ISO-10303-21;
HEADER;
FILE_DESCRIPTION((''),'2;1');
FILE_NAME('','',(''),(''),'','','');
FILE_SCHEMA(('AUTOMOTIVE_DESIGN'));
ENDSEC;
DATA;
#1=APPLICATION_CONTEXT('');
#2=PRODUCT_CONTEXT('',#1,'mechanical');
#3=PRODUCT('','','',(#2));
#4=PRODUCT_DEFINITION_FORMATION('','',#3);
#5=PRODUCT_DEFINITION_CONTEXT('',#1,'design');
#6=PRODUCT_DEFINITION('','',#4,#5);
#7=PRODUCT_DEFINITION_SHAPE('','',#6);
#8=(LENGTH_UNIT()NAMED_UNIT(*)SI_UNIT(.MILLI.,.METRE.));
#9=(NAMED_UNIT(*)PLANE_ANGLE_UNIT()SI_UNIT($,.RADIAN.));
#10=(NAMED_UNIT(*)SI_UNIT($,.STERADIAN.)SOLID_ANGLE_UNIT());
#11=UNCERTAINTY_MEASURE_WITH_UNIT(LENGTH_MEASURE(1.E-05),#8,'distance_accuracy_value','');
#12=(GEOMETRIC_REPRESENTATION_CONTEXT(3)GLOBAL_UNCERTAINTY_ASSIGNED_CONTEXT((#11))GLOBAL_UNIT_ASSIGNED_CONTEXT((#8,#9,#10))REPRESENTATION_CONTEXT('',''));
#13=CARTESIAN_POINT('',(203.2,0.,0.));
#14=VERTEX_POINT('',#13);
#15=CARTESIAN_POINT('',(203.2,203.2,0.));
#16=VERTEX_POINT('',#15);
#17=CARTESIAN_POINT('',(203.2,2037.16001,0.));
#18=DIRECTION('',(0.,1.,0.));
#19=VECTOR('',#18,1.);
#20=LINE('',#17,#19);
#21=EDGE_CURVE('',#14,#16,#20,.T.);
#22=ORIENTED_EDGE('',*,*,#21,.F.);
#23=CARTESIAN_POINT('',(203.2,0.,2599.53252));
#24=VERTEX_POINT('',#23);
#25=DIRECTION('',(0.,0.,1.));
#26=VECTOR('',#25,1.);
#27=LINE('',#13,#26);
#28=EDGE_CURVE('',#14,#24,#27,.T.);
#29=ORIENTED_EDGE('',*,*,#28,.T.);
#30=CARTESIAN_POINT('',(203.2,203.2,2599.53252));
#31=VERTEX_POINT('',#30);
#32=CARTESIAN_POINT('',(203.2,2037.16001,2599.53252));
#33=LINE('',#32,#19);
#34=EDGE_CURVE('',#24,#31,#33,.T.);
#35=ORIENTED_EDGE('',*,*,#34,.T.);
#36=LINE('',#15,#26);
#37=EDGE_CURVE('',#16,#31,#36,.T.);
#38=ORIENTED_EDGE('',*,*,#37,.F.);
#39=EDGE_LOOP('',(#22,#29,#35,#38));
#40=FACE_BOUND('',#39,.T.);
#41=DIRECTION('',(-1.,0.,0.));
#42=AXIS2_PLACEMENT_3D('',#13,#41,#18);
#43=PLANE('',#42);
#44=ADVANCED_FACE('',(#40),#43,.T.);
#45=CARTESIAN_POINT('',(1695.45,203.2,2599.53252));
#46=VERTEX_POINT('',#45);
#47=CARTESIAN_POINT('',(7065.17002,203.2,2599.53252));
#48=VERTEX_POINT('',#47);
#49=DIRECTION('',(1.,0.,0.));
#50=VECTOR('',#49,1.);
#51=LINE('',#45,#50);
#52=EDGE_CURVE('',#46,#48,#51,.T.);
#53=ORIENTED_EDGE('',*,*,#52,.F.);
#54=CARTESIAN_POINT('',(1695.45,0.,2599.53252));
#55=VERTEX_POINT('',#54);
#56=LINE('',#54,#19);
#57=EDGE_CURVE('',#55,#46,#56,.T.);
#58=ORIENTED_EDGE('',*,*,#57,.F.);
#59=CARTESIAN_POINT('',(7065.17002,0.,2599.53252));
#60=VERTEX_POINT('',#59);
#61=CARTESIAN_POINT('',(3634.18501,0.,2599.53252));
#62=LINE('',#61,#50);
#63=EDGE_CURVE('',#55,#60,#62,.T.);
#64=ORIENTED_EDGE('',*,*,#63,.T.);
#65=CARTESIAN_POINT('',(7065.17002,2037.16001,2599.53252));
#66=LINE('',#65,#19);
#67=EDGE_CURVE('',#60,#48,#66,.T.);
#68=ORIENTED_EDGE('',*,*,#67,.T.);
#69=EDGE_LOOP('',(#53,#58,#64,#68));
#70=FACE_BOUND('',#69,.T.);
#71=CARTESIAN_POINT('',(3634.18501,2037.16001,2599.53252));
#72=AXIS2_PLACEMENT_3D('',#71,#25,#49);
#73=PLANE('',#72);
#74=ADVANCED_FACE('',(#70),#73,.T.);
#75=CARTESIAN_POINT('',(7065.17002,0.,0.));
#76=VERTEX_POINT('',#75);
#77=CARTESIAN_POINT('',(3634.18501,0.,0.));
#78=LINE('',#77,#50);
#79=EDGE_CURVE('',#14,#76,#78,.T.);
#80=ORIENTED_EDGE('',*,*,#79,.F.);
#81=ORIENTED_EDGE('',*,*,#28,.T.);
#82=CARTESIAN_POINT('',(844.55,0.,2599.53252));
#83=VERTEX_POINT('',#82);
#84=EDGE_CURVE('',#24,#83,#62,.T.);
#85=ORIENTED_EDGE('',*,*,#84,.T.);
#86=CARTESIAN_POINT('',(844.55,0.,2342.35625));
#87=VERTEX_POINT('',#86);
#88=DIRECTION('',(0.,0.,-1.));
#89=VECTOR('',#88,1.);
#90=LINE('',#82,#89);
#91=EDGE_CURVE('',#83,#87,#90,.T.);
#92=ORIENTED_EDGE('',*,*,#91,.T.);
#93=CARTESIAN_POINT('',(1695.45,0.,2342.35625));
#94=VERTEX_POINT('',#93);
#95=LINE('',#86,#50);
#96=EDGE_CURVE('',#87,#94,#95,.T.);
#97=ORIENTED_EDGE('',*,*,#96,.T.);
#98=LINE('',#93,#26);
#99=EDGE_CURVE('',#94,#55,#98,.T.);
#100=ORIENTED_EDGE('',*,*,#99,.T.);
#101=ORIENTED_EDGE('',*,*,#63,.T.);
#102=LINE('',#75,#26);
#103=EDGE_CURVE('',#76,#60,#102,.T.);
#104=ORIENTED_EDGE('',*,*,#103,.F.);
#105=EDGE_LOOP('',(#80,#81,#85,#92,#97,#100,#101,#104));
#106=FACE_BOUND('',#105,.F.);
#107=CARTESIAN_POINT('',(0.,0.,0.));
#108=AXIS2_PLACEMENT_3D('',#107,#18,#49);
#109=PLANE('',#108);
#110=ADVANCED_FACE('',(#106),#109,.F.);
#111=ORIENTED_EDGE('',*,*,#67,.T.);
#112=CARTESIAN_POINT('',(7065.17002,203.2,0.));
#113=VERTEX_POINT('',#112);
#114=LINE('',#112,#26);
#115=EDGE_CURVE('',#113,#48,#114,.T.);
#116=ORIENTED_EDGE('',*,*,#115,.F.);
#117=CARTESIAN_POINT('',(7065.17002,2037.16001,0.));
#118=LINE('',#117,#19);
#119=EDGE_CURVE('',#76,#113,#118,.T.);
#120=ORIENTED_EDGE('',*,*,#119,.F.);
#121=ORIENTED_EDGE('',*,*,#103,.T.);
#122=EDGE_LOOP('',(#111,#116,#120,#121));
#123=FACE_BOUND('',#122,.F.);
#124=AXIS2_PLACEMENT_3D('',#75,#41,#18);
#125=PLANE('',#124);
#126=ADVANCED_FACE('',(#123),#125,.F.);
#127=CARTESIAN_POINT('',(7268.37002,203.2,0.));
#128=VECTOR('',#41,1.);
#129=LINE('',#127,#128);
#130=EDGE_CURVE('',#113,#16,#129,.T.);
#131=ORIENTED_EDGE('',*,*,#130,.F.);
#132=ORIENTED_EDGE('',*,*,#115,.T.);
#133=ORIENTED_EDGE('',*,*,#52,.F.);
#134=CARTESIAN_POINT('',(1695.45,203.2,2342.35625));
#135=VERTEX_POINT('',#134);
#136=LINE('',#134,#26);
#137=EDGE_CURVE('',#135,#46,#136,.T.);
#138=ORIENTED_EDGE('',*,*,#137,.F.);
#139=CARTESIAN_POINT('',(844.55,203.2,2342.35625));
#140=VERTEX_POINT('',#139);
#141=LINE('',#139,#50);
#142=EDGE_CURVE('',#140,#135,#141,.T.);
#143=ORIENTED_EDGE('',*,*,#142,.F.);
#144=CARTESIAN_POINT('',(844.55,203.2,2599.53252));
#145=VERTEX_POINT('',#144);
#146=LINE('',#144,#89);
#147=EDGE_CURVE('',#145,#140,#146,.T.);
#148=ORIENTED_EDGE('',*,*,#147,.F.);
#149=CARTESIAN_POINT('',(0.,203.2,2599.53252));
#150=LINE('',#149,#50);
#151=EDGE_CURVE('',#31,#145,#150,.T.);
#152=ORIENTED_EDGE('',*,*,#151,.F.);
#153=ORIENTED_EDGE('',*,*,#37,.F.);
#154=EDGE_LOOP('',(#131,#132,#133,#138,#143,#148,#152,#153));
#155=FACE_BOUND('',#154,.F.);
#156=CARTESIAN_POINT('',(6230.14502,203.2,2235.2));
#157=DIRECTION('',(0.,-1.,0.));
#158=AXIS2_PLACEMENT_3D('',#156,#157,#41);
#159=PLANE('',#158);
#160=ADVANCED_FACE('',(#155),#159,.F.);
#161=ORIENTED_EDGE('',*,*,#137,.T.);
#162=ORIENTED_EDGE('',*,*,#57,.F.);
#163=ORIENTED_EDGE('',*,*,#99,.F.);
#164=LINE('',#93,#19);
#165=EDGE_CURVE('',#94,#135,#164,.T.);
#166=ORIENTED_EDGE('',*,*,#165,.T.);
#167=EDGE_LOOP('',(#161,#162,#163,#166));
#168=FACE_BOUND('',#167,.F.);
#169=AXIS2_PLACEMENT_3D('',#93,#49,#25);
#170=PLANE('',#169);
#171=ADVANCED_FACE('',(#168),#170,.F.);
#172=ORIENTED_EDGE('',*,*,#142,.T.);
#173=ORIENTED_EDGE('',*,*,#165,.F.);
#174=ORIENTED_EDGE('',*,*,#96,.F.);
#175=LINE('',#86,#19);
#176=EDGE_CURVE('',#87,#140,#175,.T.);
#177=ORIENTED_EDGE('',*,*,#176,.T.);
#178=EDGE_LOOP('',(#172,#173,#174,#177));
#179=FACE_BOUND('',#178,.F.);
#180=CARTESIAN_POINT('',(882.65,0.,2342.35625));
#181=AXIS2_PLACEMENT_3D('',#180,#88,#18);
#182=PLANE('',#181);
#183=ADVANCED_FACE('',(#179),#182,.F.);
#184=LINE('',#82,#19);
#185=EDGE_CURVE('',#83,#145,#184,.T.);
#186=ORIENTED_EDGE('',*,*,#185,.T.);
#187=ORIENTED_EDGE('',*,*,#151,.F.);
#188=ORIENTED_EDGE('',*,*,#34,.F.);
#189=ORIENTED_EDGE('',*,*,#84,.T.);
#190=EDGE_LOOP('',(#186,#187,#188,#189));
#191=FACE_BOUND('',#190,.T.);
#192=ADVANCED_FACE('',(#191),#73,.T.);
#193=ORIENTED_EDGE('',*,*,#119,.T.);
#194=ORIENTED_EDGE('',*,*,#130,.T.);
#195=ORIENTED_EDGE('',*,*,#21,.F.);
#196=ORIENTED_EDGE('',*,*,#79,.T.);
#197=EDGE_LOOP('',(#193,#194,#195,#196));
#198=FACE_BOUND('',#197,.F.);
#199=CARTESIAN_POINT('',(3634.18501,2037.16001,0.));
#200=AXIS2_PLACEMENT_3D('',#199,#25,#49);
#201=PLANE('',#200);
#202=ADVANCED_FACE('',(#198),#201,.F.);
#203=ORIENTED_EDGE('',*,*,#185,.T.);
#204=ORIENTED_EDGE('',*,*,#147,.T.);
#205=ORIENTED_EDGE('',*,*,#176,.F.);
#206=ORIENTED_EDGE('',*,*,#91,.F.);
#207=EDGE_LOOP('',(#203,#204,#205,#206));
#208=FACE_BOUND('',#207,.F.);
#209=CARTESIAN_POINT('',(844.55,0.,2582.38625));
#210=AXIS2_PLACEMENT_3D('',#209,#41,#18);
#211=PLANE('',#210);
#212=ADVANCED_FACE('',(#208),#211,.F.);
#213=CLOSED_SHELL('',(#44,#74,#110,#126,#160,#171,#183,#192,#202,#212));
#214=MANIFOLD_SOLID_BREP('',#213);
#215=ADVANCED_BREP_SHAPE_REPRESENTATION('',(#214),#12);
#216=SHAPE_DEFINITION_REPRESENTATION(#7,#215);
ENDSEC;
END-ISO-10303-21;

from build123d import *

# Parameters (mm, degrees)
F0_W      = 7268.37002
F0_H      = 4074.32002
F0_W_2    = 6861.97002
F0_H_2    = 3667.92002
F1_DEPTH  = 2599.53252
F2_W      = 431.8
F2_H      = 133.35
F3_DEPTH  = 203.2
F4_W      = 304.8
F4_H      = 254
F5_DEPTH  = 203.2
F6_DEPTH  = 381
F7_DEPTH  = 254
F8_DEPTH  = 106.68
F9_DEPTH  = 38.1
F10_DEPTH = 17.14627
F11_DEPTH = 3871.12002
F12_DEPTH = 203.2
F13_DEPTH = 203.2


with BuildPart() as f1:
    # F0 (on Top) → F1 (new body)
    with BuildSketch(Plane.XY):
        with Locations((3634.18501, 2037.16001)):
            Rectangle(F0_W, F0_H)
        with Locations((3634.18501, 2037.16001)):
            Rectangle(F0_W_2, F0_H_2, mode=Mode.SUBTRACT)
    extrude(amount=F1_DEPTH)

    # F2 (on Front) → F3 (cut)
    with BuildSketch(Plane.XZ):
        with Locations((1479.55, 2409.03125)):
            Rectangle(F2_W, F2_H)
    extrude(amount=-F3_DEPTH, mode=Mode.SUBTRACT)

    # F4 (on face) → F5 (cut)
    with BuildSketch(Plane(origin=(0, 203.2, 0), x_dir=(-1, 0, 0), z_dir=(0, 1, 0))):
        with Locations((-6077.74502, 2362.2)):
            Rectangle(F4_W, F4_H)
    extrude(amount=-F5_DEPTH, mode=Mode.SUBTRACT)

    # F6 (cut): a face of the model
    f6_faces = [f1.faces().sort_by_distance(p)[0] for p in [
        (1263.65, 101.6, 2409.03125),
    ]]
    extrude(f6_faces, amount=-F6_DEPTH, mode=Mode.SUBTRACT)

    # F7 (add, through all): a face of the model
    f7_faces = [f1.faces().sort_by_distance(p)[0] for p in [
        (6077.74502, 101.6, 2235.2),
    ]]
    extrude(f7_faces, amount=F7_DEPTH)

    # F8 (cut): a face of the model
    f8_faces = [f1.faces().sort_by_distance(p)[0] for p in [
        (1289.05, 101.6, 2475.70625),
    ]]
    extrude(f8_faces, amount=-F8_DEPTH, mode=Mode.SUBTRACT)

    # F9 (cut): a face of the model
    f9_faces = [f1.faces().sort_by_distance(p)[0] for p in [
        (882.65, 101.6, 2462.37125),
    ]]
    extrude(f9_faces, amount=-F9_DEPTH, mode=Mode.SUBTRACT)

    # F10 (cut, through all): a face of the model
    f10_faces = [f1.faces().sort_by_distance(p)[0] for p in [
        (1270, 101.6, 2582.38625),
    ]]
    extrude(f10_faces, amount=-F10_DEPTH, mode=Mode.SUBTRACT)

    # F11 (cut, through all): a face of the model
    f11_faces = [f1.faces().sort_by_distance(p)[0] for p in [
        (3634.18501, 4074.32002, 1299.76626),
    ]]
    extrude(f11_faces, amount=-F11_DEPTH, mode=Mode.SUBTRACT)

    # F12 (cut): a face of the model
    f12_faces = [f1.faces().sort_by_distance(p)[0] for p in [
        (7268.37002, 101.6, 1299.76626),
    ]]
    extrude(f12_faces, amount=-F12_DEPTH, mode=Mode.SUBTRACT)

    # F13 (cut): a face of the model
    f13_faces = [f1.faces().sort_by_distance(p)[0] for p in [
        (0, 101.6, 1299.76626),
    ]]
    extrude(f13_faces, amount=-F13_DEPTH, mode=Mode.SUBTRACT)


solid = f1.part
